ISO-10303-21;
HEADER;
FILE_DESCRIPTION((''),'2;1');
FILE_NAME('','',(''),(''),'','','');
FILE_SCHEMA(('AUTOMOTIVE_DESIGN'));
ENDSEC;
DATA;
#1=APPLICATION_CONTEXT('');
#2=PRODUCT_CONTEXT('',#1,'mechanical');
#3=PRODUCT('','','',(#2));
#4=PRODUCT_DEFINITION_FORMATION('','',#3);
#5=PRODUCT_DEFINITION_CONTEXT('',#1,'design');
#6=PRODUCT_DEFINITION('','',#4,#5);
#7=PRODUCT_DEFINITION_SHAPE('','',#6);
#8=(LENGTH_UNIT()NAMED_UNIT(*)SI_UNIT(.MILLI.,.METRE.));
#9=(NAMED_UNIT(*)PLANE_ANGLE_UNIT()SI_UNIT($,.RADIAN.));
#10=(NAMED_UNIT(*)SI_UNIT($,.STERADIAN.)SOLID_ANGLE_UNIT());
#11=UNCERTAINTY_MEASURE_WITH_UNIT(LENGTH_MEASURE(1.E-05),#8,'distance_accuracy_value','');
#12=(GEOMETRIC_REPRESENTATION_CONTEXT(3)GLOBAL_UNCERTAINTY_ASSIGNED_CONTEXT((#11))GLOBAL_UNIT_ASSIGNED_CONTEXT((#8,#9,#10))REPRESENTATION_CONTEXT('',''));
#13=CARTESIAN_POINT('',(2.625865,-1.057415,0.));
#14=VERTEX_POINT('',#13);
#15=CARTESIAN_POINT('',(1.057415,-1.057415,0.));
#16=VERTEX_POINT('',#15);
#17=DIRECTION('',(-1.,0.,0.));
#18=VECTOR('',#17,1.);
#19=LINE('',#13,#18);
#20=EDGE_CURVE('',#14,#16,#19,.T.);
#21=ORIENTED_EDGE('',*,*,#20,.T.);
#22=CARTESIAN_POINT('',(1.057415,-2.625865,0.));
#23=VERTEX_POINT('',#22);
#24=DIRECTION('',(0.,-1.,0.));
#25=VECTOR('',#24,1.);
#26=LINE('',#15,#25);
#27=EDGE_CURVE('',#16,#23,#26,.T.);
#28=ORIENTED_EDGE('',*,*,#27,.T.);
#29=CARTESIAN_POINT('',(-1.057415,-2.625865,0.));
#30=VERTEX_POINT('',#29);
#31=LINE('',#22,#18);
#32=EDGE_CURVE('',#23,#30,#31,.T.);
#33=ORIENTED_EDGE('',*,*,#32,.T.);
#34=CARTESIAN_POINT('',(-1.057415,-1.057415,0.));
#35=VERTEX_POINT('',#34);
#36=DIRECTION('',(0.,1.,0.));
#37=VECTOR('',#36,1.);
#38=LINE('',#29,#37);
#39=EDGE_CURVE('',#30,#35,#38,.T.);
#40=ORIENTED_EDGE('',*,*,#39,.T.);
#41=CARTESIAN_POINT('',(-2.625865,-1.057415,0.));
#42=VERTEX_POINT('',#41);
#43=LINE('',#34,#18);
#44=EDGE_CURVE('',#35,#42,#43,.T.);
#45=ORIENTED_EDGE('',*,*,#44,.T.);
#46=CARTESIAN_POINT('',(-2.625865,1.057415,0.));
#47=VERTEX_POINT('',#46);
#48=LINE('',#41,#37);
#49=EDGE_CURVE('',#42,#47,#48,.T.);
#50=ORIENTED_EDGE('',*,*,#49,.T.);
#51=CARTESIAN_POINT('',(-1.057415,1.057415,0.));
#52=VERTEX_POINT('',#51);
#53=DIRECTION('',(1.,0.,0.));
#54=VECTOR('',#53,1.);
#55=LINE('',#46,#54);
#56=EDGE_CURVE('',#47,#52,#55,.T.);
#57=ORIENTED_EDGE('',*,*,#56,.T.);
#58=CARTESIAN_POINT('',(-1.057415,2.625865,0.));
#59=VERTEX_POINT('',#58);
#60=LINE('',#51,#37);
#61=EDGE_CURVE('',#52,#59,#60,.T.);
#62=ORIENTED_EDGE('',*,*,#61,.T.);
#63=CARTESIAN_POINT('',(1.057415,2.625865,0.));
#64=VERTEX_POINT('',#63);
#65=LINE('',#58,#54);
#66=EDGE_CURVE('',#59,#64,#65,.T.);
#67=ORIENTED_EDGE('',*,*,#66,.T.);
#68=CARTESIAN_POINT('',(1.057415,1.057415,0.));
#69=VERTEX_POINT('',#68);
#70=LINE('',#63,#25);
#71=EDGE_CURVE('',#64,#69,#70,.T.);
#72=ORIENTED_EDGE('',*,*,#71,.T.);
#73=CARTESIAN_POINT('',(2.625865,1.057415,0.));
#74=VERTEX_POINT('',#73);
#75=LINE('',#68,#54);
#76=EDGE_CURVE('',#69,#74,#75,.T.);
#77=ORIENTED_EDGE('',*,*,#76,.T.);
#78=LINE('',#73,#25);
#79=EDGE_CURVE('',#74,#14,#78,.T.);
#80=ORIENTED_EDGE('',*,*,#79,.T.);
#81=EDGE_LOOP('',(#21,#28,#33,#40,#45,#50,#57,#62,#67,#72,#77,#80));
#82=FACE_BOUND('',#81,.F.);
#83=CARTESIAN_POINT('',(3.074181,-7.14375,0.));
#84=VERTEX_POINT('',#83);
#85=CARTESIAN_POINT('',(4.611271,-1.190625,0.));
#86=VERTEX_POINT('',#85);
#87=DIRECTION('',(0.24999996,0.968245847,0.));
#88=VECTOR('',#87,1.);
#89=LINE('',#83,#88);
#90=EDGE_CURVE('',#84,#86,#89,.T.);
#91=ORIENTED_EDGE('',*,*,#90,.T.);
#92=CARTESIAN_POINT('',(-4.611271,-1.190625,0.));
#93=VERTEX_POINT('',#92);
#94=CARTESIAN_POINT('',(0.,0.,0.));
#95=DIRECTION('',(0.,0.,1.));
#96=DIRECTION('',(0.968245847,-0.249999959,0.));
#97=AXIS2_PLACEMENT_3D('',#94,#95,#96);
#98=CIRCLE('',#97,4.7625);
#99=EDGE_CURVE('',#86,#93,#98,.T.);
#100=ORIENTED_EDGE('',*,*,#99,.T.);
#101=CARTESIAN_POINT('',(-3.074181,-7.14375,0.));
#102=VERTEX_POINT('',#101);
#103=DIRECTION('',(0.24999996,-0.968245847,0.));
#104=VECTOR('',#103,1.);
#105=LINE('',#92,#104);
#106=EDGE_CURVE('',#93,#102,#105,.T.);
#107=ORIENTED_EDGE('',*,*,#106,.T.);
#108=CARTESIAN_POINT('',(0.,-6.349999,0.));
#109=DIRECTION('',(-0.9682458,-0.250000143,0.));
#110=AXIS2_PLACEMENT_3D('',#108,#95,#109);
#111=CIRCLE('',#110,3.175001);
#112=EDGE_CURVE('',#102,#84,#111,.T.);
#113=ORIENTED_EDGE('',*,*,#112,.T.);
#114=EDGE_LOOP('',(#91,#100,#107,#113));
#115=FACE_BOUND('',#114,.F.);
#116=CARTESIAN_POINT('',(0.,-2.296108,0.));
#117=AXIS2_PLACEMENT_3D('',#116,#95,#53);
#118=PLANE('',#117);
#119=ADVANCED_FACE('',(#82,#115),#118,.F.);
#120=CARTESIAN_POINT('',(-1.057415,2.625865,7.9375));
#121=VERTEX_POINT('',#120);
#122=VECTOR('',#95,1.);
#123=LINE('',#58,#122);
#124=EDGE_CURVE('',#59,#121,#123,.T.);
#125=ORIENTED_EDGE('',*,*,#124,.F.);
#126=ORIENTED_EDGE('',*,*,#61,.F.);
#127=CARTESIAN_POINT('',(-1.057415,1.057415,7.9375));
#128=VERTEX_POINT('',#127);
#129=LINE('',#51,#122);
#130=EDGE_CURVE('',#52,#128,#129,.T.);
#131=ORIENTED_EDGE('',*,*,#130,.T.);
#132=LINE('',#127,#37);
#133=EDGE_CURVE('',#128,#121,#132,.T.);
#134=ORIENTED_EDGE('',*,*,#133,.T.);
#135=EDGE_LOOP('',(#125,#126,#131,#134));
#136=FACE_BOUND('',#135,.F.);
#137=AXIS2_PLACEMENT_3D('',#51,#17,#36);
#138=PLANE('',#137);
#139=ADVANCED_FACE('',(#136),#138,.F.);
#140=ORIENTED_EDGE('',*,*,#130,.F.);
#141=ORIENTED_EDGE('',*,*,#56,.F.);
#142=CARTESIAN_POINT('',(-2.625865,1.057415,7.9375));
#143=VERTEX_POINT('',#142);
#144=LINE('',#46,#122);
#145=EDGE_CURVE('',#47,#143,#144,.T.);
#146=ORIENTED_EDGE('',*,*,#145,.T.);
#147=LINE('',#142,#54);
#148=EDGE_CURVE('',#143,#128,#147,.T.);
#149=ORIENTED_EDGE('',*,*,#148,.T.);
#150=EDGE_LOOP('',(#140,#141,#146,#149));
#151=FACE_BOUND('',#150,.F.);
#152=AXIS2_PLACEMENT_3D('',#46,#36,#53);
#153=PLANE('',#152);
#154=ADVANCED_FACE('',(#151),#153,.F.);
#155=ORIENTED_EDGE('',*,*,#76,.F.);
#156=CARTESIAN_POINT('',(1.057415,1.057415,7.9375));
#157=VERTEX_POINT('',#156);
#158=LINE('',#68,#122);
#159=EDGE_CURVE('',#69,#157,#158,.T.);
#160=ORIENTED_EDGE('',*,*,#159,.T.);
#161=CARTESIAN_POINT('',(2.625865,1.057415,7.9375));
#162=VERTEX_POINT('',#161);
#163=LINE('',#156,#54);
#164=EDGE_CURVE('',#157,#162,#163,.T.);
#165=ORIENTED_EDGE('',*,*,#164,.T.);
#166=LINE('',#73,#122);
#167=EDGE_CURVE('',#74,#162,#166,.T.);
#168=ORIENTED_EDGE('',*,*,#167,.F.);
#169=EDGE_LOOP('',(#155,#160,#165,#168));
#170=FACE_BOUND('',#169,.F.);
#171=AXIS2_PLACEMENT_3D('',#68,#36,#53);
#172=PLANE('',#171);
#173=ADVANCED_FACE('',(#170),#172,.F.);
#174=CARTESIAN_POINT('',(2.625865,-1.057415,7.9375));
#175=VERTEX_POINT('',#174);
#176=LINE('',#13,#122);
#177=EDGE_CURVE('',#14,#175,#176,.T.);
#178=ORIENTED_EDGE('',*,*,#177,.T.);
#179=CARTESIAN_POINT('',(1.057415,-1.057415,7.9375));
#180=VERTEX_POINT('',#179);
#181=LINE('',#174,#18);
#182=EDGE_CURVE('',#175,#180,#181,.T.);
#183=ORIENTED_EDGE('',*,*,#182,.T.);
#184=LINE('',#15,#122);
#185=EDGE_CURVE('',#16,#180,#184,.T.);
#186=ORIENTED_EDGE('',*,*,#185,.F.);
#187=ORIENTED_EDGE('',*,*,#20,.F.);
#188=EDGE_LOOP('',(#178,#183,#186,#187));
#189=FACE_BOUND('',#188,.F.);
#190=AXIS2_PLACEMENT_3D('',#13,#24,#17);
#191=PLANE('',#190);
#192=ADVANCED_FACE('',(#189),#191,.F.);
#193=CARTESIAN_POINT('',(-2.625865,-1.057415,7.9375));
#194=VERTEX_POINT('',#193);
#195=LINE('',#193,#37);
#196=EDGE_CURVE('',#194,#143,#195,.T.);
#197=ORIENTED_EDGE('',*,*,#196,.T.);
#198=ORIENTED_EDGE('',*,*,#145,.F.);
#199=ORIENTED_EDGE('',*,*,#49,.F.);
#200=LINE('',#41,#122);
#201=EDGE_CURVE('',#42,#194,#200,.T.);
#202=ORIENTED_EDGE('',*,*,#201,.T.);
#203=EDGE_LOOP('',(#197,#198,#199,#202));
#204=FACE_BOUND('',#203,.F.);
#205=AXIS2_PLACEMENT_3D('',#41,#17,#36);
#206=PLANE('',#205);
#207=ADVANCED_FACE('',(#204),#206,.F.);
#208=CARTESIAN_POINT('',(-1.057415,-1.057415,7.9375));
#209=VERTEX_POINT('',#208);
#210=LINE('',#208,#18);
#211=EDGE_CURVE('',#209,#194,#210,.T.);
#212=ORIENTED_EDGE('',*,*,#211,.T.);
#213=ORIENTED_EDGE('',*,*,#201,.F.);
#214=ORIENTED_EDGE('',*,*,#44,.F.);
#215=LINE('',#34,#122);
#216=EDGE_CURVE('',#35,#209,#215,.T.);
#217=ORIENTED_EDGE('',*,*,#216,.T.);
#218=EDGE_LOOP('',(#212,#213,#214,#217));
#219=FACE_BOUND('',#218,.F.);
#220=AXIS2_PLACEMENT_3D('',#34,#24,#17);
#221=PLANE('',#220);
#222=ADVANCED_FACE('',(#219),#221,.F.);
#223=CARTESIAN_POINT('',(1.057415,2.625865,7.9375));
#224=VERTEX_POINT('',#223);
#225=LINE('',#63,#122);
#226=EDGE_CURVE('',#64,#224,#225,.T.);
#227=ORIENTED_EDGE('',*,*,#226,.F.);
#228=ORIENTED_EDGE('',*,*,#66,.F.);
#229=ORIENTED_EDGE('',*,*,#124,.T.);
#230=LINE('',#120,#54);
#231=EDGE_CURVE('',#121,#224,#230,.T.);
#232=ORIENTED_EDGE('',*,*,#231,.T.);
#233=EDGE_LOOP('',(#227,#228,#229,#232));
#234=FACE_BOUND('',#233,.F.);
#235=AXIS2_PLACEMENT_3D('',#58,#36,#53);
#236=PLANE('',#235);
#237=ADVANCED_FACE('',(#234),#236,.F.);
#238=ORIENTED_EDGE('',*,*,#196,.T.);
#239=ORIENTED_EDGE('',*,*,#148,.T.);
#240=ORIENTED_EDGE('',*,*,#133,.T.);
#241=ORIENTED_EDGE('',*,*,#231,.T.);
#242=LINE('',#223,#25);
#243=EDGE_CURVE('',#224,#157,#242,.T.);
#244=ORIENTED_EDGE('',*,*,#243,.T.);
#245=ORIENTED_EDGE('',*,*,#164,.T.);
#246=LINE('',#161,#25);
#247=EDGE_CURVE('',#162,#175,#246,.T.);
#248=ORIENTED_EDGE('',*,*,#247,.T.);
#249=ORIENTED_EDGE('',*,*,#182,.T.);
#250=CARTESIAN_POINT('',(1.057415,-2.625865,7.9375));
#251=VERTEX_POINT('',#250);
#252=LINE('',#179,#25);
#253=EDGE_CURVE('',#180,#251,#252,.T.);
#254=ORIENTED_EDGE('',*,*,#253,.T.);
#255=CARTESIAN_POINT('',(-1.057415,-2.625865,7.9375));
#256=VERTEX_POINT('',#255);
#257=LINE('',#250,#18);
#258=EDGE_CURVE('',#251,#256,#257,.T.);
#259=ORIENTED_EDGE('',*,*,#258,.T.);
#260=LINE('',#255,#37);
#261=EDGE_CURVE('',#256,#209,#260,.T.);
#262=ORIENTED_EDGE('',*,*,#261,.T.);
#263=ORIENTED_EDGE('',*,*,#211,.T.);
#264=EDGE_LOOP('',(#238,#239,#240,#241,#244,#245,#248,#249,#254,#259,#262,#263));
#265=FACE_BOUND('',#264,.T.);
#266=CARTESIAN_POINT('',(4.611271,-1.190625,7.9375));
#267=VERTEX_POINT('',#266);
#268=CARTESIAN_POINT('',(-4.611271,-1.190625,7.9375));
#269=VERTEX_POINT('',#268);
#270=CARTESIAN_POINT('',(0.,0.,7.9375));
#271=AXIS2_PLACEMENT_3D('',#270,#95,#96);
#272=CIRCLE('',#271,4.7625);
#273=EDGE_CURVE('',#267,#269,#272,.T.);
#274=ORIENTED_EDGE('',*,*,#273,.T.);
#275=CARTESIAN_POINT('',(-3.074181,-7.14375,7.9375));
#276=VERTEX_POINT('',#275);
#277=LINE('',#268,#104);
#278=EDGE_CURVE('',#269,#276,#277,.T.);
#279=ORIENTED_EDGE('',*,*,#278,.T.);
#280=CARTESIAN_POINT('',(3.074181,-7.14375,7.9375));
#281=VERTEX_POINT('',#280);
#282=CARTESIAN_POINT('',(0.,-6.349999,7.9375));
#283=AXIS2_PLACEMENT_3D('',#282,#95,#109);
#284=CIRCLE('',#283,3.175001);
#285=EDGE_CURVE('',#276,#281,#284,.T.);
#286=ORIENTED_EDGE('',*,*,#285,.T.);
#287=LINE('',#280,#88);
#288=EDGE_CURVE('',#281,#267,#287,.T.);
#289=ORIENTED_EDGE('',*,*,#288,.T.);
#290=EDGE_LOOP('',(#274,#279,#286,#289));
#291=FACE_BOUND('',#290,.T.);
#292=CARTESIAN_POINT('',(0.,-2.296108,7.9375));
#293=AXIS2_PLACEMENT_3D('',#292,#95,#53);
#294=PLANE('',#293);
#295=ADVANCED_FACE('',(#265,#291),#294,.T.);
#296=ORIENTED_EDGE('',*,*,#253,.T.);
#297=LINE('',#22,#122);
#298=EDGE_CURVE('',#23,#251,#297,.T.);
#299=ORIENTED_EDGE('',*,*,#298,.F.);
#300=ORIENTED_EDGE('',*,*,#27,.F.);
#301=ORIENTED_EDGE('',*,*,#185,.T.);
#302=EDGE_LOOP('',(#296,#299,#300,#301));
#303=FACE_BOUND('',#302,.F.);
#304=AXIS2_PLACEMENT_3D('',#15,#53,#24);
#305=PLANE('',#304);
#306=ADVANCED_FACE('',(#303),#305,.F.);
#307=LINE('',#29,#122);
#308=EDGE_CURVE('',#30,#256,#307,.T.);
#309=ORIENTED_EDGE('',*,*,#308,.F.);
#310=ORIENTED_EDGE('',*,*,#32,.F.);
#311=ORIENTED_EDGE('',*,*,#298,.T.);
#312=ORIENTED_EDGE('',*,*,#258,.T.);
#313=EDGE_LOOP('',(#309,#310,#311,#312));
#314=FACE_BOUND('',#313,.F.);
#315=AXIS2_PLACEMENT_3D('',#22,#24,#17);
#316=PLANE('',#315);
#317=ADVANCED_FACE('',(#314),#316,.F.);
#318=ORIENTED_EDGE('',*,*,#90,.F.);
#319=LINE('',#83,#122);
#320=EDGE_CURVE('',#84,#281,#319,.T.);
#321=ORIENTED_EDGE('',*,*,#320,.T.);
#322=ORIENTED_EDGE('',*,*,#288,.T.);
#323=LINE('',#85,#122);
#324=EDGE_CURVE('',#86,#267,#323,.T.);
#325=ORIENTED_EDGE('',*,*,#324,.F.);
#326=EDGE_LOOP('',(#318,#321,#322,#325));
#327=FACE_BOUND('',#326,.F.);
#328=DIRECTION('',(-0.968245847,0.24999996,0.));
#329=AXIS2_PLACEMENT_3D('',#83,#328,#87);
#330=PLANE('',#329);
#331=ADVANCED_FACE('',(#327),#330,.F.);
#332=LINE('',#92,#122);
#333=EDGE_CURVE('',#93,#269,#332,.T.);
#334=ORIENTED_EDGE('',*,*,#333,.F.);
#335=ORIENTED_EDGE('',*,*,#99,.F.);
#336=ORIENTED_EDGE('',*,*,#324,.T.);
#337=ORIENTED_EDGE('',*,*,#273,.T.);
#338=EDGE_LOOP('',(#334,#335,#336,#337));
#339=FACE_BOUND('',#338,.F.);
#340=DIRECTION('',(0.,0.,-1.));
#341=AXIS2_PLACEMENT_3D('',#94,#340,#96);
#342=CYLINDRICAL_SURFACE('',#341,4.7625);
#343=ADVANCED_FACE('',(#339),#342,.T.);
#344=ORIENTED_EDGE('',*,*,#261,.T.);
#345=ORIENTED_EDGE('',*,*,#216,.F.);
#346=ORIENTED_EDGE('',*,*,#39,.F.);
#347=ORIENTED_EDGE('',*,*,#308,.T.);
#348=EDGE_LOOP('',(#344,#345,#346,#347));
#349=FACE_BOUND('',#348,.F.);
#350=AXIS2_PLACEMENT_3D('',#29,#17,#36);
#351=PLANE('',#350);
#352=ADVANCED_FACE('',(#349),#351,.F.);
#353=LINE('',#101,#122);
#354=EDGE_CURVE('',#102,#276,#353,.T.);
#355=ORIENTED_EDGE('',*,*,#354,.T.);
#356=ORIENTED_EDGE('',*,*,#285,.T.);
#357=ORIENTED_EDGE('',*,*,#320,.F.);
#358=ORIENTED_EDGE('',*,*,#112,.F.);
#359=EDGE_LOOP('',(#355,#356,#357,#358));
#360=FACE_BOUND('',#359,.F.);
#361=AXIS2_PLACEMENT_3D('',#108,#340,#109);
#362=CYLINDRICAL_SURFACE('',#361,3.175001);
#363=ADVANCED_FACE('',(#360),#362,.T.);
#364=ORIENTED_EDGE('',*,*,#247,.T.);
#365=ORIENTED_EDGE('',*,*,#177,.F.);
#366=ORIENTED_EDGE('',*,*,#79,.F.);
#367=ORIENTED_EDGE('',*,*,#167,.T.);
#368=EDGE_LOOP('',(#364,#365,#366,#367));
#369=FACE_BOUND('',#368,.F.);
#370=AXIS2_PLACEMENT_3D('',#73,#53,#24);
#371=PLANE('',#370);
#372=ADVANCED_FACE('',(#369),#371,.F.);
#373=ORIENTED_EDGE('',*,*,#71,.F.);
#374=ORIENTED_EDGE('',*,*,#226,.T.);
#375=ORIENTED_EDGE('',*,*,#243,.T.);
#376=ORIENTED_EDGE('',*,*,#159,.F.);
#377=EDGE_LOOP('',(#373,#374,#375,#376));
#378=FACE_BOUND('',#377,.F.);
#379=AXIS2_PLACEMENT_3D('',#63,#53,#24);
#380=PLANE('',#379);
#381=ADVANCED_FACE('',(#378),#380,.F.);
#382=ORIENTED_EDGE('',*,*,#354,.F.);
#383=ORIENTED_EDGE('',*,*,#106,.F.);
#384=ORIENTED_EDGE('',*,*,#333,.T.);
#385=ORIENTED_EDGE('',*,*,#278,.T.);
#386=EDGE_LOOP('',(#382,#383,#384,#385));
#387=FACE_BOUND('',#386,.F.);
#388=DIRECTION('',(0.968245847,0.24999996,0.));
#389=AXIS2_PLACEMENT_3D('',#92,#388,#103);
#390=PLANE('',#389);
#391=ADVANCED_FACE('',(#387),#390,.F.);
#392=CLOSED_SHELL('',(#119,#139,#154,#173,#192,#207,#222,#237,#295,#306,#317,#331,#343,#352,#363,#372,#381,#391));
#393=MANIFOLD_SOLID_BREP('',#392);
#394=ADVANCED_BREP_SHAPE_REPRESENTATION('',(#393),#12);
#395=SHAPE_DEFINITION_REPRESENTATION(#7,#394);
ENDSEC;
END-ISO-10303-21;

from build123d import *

# Parameters (mm, degrees)
F1_DEPTH = 7.9375


with BuildPart() as f1:
    # F0 (on Top) → F1 (new body)
    with BuildSketch(Plane.XY):
        with BuildLine():
            Line((3.074181, -7.14375), (4.611271, -1.190625))
            ThreePointArc((4.611271, -1.190625), (0, 4.7625), (-4.611271, -1.190625))
            Line((-4.611271, -1.190625), (-3.074181, -7.14375))
            ThreePointArc((-3.074181, -7.14375), (0, -9.525), (3.074181, -7.14375))
        make_face()
        Polygon((-1.057415, 2.625865), (1.057415, 2.625865), (1.057415, 1.057415), (2.625865, 1.057415), (2.625865, -1.057415), (1.057415, -1.057415), (1.057415, -2.625865), (-1.057415, -2.625865), (-1.057415, -1.057415), (-2.625865, -1.057415), (-2.625865, 1.057415), (-1.057415, 1.057415), align=None, mode=Mode.SUBTRACT)
    extrude(amount=F1_DEPTH)


solid = f1.part
